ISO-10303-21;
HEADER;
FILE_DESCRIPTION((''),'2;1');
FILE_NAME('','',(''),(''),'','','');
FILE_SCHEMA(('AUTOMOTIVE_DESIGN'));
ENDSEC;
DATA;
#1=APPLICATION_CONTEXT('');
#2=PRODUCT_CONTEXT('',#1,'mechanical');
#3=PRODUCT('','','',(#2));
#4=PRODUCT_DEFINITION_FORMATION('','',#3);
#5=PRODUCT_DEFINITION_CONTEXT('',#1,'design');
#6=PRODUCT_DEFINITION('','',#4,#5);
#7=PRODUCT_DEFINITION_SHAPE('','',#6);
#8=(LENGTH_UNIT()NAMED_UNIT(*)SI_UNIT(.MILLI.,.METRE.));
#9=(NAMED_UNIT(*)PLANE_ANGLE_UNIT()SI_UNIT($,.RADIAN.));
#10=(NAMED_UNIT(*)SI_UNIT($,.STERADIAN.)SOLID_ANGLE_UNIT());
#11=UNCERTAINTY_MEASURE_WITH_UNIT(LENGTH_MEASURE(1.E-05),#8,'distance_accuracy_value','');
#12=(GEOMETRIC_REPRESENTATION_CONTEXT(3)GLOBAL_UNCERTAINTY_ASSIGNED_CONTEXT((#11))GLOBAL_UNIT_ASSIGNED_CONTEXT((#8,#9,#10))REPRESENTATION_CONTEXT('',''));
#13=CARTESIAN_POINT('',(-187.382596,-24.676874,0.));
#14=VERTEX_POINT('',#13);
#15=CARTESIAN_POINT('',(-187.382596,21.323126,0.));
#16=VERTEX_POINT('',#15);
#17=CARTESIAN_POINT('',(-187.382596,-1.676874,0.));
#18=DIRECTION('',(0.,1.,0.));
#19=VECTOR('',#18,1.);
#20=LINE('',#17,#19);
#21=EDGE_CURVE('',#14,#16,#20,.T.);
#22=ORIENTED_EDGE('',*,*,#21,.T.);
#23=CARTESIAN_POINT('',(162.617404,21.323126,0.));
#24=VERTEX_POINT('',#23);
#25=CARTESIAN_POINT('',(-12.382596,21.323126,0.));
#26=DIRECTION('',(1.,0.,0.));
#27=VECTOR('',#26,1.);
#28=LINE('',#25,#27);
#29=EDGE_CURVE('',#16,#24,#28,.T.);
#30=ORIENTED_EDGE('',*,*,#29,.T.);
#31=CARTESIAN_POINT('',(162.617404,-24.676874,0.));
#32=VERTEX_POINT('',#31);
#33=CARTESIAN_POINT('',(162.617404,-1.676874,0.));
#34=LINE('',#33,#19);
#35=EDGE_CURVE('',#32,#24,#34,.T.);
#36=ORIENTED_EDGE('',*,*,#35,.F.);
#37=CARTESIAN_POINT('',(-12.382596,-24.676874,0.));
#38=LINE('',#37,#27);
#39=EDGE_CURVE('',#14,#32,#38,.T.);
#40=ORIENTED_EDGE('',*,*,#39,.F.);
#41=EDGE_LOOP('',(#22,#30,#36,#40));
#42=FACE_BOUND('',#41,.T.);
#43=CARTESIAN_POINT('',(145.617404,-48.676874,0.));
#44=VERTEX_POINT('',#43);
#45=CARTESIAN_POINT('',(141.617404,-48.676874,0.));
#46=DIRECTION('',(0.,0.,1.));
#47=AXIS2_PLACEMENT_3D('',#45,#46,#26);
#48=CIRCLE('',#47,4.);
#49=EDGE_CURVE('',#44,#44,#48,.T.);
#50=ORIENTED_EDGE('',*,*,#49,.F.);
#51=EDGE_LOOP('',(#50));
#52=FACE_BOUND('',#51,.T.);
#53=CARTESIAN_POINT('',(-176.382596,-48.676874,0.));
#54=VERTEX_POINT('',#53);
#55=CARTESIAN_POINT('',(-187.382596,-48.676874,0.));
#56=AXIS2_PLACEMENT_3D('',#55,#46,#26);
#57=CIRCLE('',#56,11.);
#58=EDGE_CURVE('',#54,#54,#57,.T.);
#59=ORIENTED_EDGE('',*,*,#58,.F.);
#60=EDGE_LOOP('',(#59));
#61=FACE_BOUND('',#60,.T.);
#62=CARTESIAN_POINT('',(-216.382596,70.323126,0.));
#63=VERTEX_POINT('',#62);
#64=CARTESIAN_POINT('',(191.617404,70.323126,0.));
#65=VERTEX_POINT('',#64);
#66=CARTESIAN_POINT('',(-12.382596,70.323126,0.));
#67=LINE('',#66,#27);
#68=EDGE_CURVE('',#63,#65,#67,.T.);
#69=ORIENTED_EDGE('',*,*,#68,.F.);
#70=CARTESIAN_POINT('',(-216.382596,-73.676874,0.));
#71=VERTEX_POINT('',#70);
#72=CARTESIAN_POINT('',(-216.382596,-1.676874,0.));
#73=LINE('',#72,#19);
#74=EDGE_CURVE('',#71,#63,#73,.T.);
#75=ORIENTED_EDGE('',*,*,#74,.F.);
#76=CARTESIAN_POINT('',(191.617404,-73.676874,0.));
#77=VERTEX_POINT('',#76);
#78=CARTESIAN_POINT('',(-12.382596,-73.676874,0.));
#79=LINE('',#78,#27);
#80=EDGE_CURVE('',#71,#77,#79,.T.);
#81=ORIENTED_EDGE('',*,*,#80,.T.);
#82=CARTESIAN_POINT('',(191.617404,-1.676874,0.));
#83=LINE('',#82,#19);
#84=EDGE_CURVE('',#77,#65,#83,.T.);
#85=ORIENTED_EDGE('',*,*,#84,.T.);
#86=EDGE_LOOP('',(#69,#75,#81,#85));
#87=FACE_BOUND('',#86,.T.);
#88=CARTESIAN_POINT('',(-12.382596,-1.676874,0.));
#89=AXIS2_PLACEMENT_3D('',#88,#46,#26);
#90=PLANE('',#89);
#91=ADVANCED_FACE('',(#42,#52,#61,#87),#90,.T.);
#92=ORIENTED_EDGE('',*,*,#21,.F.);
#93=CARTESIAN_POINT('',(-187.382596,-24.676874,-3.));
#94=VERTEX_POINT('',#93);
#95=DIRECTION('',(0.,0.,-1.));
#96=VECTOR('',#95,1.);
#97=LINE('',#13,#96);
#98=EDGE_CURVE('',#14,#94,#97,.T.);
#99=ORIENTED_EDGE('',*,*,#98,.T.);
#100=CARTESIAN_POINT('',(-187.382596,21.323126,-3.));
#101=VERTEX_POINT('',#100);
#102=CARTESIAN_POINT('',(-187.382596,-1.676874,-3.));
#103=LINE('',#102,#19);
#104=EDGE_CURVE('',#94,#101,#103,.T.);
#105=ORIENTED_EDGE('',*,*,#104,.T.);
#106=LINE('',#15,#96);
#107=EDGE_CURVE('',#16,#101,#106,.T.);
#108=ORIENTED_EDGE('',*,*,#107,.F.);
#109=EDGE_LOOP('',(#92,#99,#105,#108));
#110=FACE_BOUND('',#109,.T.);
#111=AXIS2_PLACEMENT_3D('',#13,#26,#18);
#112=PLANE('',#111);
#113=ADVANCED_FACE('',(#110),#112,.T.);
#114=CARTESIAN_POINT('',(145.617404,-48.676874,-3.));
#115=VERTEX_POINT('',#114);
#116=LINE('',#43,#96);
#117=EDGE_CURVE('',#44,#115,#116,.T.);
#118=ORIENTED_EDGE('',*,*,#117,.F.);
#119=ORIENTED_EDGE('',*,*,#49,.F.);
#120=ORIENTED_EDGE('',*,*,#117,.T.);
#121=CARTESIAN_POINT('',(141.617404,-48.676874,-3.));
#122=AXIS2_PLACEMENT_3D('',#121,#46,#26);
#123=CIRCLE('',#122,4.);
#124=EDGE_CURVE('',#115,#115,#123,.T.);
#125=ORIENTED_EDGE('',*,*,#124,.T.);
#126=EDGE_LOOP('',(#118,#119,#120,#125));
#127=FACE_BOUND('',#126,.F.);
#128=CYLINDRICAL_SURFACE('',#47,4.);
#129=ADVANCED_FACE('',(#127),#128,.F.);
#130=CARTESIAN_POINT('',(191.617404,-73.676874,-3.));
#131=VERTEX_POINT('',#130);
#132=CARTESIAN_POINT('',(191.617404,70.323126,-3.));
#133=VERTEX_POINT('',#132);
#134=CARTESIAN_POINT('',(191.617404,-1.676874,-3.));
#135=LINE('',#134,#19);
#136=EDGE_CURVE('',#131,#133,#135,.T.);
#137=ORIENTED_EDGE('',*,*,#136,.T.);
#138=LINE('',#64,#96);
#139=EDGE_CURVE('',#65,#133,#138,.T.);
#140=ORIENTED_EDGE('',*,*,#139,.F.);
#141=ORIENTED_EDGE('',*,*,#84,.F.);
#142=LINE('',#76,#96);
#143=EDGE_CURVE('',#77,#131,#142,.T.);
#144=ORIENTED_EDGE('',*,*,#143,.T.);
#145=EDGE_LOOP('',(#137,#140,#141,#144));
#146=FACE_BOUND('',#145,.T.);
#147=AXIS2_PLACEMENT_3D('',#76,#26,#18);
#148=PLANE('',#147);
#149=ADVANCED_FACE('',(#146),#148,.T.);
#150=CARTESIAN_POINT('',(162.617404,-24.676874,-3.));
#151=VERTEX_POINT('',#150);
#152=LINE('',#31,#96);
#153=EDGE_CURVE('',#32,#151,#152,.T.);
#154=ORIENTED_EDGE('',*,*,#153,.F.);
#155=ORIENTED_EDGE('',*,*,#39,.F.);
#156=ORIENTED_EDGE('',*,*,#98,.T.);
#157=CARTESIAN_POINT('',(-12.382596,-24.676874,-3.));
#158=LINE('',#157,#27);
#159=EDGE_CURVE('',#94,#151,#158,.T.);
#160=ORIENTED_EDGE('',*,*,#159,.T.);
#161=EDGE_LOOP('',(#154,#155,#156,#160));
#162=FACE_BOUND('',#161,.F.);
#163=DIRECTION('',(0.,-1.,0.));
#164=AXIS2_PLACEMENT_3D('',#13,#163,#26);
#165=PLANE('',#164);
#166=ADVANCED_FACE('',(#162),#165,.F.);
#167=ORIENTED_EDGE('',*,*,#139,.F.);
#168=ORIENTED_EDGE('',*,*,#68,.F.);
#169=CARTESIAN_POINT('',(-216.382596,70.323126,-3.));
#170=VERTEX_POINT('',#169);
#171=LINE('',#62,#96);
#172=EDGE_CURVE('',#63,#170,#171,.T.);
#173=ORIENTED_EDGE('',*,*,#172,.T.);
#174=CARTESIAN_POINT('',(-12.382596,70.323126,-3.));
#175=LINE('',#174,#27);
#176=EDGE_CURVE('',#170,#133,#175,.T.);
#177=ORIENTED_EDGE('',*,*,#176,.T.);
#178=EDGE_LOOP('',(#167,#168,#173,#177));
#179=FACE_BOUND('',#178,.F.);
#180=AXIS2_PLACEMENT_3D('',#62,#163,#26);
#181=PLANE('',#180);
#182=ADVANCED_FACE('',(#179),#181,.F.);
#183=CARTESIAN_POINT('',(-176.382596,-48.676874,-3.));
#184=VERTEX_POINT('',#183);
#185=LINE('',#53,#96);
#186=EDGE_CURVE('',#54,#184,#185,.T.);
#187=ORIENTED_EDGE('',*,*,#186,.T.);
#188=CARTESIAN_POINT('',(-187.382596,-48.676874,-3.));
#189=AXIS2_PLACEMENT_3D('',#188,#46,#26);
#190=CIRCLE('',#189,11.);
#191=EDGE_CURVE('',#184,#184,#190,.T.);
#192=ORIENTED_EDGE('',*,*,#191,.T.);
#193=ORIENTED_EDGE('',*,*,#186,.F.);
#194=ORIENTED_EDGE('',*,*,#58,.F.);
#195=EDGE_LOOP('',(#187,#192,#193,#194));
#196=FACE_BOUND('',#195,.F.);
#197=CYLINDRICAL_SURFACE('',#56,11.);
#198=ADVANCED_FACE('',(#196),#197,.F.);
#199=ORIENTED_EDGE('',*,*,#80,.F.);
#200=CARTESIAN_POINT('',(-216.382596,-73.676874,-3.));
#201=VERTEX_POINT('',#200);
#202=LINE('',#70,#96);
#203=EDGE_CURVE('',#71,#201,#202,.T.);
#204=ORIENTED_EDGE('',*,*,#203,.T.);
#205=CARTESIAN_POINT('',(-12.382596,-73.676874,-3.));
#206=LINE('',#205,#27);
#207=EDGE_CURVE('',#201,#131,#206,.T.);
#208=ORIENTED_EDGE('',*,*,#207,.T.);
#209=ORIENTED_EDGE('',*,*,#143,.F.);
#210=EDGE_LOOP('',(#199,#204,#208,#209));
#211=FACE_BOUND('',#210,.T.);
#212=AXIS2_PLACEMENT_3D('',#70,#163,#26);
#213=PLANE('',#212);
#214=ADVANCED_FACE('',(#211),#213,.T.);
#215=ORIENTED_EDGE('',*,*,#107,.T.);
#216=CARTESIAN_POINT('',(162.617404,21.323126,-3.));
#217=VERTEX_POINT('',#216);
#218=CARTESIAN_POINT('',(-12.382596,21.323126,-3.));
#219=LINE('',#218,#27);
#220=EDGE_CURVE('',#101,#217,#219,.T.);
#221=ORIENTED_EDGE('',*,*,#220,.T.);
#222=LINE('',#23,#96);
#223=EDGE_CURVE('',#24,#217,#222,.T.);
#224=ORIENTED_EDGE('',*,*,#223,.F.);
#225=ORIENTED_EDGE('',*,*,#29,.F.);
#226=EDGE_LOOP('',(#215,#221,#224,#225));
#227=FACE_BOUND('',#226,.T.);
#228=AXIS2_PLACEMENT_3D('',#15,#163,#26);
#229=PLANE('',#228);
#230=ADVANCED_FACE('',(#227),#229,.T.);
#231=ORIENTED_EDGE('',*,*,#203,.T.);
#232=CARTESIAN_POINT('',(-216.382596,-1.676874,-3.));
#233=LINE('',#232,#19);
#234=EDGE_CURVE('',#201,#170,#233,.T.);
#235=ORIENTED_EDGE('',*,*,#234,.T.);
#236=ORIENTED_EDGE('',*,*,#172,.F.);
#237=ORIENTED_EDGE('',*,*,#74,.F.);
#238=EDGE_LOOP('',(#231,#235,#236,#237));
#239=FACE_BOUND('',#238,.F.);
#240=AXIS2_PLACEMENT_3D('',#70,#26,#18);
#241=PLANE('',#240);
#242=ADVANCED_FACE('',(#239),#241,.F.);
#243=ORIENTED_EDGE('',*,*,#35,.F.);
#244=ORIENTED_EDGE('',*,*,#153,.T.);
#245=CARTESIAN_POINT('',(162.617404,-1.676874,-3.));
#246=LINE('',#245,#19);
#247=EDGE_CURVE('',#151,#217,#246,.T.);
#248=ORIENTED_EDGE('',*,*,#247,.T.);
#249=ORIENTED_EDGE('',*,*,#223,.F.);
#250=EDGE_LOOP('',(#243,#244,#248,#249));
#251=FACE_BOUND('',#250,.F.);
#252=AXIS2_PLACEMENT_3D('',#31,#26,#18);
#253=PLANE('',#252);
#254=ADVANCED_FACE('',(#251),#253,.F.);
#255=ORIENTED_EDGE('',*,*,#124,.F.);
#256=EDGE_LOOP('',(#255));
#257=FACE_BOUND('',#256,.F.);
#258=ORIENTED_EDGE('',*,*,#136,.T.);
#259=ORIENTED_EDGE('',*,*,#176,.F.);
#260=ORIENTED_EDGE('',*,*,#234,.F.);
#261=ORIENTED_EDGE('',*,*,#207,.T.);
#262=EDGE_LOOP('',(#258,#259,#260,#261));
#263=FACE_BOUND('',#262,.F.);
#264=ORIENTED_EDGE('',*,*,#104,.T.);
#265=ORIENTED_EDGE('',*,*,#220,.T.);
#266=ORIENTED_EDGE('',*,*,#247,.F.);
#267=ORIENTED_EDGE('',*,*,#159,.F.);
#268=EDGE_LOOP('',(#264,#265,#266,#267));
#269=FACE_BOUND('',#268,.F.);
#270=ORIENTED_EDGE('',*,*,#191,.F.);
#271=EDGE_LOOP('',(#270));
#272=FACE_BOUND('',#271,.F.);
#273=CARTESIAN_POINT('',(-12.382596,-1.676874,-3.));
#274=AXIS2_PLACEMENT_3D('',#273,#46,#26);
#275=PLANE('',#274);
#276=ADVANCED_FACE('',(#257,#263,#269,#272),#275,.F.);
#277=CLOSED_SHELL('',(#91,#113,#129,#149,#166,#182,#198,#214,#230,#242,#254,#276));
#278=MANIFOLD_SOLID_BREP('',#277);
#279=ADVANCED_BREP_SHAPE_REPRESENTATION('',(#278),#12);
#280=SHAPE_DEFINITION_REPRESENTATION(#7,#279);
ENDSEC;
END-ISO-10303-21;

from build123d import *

# Parameters (mm, degrees)
F0_W     = 408
F0_H     = 144
F0_R     = 11
F0_R_2   = 4
F0_W_2   = 350
F0_H_2   = 46
F1_DEPTH = 3


with BuildPart() as f1:
    # F0 (on Top) → F1 (new body)
    with BuildSketch(Plane.XY):
        with Locations((-12.382596, -1.676874)):
            Rectangle(F0_W, F0_H)
        with Locations((-187.382596, -48.676874)):
            Circle(F0_R, mode=Mode.SUBTRACT)
        with Locations((141.617404, -48.676874)):
            Circle(F0_R_2, mode=Mode.SUBTRACT)
        with Locations((-12.382596, -1.676874)):
            Rectangle(F0_W_2, F0_H_2, mode=Mode.SUBTRACT)
    extrude(amount=-F1_DEPTH)


solid = f1.part
